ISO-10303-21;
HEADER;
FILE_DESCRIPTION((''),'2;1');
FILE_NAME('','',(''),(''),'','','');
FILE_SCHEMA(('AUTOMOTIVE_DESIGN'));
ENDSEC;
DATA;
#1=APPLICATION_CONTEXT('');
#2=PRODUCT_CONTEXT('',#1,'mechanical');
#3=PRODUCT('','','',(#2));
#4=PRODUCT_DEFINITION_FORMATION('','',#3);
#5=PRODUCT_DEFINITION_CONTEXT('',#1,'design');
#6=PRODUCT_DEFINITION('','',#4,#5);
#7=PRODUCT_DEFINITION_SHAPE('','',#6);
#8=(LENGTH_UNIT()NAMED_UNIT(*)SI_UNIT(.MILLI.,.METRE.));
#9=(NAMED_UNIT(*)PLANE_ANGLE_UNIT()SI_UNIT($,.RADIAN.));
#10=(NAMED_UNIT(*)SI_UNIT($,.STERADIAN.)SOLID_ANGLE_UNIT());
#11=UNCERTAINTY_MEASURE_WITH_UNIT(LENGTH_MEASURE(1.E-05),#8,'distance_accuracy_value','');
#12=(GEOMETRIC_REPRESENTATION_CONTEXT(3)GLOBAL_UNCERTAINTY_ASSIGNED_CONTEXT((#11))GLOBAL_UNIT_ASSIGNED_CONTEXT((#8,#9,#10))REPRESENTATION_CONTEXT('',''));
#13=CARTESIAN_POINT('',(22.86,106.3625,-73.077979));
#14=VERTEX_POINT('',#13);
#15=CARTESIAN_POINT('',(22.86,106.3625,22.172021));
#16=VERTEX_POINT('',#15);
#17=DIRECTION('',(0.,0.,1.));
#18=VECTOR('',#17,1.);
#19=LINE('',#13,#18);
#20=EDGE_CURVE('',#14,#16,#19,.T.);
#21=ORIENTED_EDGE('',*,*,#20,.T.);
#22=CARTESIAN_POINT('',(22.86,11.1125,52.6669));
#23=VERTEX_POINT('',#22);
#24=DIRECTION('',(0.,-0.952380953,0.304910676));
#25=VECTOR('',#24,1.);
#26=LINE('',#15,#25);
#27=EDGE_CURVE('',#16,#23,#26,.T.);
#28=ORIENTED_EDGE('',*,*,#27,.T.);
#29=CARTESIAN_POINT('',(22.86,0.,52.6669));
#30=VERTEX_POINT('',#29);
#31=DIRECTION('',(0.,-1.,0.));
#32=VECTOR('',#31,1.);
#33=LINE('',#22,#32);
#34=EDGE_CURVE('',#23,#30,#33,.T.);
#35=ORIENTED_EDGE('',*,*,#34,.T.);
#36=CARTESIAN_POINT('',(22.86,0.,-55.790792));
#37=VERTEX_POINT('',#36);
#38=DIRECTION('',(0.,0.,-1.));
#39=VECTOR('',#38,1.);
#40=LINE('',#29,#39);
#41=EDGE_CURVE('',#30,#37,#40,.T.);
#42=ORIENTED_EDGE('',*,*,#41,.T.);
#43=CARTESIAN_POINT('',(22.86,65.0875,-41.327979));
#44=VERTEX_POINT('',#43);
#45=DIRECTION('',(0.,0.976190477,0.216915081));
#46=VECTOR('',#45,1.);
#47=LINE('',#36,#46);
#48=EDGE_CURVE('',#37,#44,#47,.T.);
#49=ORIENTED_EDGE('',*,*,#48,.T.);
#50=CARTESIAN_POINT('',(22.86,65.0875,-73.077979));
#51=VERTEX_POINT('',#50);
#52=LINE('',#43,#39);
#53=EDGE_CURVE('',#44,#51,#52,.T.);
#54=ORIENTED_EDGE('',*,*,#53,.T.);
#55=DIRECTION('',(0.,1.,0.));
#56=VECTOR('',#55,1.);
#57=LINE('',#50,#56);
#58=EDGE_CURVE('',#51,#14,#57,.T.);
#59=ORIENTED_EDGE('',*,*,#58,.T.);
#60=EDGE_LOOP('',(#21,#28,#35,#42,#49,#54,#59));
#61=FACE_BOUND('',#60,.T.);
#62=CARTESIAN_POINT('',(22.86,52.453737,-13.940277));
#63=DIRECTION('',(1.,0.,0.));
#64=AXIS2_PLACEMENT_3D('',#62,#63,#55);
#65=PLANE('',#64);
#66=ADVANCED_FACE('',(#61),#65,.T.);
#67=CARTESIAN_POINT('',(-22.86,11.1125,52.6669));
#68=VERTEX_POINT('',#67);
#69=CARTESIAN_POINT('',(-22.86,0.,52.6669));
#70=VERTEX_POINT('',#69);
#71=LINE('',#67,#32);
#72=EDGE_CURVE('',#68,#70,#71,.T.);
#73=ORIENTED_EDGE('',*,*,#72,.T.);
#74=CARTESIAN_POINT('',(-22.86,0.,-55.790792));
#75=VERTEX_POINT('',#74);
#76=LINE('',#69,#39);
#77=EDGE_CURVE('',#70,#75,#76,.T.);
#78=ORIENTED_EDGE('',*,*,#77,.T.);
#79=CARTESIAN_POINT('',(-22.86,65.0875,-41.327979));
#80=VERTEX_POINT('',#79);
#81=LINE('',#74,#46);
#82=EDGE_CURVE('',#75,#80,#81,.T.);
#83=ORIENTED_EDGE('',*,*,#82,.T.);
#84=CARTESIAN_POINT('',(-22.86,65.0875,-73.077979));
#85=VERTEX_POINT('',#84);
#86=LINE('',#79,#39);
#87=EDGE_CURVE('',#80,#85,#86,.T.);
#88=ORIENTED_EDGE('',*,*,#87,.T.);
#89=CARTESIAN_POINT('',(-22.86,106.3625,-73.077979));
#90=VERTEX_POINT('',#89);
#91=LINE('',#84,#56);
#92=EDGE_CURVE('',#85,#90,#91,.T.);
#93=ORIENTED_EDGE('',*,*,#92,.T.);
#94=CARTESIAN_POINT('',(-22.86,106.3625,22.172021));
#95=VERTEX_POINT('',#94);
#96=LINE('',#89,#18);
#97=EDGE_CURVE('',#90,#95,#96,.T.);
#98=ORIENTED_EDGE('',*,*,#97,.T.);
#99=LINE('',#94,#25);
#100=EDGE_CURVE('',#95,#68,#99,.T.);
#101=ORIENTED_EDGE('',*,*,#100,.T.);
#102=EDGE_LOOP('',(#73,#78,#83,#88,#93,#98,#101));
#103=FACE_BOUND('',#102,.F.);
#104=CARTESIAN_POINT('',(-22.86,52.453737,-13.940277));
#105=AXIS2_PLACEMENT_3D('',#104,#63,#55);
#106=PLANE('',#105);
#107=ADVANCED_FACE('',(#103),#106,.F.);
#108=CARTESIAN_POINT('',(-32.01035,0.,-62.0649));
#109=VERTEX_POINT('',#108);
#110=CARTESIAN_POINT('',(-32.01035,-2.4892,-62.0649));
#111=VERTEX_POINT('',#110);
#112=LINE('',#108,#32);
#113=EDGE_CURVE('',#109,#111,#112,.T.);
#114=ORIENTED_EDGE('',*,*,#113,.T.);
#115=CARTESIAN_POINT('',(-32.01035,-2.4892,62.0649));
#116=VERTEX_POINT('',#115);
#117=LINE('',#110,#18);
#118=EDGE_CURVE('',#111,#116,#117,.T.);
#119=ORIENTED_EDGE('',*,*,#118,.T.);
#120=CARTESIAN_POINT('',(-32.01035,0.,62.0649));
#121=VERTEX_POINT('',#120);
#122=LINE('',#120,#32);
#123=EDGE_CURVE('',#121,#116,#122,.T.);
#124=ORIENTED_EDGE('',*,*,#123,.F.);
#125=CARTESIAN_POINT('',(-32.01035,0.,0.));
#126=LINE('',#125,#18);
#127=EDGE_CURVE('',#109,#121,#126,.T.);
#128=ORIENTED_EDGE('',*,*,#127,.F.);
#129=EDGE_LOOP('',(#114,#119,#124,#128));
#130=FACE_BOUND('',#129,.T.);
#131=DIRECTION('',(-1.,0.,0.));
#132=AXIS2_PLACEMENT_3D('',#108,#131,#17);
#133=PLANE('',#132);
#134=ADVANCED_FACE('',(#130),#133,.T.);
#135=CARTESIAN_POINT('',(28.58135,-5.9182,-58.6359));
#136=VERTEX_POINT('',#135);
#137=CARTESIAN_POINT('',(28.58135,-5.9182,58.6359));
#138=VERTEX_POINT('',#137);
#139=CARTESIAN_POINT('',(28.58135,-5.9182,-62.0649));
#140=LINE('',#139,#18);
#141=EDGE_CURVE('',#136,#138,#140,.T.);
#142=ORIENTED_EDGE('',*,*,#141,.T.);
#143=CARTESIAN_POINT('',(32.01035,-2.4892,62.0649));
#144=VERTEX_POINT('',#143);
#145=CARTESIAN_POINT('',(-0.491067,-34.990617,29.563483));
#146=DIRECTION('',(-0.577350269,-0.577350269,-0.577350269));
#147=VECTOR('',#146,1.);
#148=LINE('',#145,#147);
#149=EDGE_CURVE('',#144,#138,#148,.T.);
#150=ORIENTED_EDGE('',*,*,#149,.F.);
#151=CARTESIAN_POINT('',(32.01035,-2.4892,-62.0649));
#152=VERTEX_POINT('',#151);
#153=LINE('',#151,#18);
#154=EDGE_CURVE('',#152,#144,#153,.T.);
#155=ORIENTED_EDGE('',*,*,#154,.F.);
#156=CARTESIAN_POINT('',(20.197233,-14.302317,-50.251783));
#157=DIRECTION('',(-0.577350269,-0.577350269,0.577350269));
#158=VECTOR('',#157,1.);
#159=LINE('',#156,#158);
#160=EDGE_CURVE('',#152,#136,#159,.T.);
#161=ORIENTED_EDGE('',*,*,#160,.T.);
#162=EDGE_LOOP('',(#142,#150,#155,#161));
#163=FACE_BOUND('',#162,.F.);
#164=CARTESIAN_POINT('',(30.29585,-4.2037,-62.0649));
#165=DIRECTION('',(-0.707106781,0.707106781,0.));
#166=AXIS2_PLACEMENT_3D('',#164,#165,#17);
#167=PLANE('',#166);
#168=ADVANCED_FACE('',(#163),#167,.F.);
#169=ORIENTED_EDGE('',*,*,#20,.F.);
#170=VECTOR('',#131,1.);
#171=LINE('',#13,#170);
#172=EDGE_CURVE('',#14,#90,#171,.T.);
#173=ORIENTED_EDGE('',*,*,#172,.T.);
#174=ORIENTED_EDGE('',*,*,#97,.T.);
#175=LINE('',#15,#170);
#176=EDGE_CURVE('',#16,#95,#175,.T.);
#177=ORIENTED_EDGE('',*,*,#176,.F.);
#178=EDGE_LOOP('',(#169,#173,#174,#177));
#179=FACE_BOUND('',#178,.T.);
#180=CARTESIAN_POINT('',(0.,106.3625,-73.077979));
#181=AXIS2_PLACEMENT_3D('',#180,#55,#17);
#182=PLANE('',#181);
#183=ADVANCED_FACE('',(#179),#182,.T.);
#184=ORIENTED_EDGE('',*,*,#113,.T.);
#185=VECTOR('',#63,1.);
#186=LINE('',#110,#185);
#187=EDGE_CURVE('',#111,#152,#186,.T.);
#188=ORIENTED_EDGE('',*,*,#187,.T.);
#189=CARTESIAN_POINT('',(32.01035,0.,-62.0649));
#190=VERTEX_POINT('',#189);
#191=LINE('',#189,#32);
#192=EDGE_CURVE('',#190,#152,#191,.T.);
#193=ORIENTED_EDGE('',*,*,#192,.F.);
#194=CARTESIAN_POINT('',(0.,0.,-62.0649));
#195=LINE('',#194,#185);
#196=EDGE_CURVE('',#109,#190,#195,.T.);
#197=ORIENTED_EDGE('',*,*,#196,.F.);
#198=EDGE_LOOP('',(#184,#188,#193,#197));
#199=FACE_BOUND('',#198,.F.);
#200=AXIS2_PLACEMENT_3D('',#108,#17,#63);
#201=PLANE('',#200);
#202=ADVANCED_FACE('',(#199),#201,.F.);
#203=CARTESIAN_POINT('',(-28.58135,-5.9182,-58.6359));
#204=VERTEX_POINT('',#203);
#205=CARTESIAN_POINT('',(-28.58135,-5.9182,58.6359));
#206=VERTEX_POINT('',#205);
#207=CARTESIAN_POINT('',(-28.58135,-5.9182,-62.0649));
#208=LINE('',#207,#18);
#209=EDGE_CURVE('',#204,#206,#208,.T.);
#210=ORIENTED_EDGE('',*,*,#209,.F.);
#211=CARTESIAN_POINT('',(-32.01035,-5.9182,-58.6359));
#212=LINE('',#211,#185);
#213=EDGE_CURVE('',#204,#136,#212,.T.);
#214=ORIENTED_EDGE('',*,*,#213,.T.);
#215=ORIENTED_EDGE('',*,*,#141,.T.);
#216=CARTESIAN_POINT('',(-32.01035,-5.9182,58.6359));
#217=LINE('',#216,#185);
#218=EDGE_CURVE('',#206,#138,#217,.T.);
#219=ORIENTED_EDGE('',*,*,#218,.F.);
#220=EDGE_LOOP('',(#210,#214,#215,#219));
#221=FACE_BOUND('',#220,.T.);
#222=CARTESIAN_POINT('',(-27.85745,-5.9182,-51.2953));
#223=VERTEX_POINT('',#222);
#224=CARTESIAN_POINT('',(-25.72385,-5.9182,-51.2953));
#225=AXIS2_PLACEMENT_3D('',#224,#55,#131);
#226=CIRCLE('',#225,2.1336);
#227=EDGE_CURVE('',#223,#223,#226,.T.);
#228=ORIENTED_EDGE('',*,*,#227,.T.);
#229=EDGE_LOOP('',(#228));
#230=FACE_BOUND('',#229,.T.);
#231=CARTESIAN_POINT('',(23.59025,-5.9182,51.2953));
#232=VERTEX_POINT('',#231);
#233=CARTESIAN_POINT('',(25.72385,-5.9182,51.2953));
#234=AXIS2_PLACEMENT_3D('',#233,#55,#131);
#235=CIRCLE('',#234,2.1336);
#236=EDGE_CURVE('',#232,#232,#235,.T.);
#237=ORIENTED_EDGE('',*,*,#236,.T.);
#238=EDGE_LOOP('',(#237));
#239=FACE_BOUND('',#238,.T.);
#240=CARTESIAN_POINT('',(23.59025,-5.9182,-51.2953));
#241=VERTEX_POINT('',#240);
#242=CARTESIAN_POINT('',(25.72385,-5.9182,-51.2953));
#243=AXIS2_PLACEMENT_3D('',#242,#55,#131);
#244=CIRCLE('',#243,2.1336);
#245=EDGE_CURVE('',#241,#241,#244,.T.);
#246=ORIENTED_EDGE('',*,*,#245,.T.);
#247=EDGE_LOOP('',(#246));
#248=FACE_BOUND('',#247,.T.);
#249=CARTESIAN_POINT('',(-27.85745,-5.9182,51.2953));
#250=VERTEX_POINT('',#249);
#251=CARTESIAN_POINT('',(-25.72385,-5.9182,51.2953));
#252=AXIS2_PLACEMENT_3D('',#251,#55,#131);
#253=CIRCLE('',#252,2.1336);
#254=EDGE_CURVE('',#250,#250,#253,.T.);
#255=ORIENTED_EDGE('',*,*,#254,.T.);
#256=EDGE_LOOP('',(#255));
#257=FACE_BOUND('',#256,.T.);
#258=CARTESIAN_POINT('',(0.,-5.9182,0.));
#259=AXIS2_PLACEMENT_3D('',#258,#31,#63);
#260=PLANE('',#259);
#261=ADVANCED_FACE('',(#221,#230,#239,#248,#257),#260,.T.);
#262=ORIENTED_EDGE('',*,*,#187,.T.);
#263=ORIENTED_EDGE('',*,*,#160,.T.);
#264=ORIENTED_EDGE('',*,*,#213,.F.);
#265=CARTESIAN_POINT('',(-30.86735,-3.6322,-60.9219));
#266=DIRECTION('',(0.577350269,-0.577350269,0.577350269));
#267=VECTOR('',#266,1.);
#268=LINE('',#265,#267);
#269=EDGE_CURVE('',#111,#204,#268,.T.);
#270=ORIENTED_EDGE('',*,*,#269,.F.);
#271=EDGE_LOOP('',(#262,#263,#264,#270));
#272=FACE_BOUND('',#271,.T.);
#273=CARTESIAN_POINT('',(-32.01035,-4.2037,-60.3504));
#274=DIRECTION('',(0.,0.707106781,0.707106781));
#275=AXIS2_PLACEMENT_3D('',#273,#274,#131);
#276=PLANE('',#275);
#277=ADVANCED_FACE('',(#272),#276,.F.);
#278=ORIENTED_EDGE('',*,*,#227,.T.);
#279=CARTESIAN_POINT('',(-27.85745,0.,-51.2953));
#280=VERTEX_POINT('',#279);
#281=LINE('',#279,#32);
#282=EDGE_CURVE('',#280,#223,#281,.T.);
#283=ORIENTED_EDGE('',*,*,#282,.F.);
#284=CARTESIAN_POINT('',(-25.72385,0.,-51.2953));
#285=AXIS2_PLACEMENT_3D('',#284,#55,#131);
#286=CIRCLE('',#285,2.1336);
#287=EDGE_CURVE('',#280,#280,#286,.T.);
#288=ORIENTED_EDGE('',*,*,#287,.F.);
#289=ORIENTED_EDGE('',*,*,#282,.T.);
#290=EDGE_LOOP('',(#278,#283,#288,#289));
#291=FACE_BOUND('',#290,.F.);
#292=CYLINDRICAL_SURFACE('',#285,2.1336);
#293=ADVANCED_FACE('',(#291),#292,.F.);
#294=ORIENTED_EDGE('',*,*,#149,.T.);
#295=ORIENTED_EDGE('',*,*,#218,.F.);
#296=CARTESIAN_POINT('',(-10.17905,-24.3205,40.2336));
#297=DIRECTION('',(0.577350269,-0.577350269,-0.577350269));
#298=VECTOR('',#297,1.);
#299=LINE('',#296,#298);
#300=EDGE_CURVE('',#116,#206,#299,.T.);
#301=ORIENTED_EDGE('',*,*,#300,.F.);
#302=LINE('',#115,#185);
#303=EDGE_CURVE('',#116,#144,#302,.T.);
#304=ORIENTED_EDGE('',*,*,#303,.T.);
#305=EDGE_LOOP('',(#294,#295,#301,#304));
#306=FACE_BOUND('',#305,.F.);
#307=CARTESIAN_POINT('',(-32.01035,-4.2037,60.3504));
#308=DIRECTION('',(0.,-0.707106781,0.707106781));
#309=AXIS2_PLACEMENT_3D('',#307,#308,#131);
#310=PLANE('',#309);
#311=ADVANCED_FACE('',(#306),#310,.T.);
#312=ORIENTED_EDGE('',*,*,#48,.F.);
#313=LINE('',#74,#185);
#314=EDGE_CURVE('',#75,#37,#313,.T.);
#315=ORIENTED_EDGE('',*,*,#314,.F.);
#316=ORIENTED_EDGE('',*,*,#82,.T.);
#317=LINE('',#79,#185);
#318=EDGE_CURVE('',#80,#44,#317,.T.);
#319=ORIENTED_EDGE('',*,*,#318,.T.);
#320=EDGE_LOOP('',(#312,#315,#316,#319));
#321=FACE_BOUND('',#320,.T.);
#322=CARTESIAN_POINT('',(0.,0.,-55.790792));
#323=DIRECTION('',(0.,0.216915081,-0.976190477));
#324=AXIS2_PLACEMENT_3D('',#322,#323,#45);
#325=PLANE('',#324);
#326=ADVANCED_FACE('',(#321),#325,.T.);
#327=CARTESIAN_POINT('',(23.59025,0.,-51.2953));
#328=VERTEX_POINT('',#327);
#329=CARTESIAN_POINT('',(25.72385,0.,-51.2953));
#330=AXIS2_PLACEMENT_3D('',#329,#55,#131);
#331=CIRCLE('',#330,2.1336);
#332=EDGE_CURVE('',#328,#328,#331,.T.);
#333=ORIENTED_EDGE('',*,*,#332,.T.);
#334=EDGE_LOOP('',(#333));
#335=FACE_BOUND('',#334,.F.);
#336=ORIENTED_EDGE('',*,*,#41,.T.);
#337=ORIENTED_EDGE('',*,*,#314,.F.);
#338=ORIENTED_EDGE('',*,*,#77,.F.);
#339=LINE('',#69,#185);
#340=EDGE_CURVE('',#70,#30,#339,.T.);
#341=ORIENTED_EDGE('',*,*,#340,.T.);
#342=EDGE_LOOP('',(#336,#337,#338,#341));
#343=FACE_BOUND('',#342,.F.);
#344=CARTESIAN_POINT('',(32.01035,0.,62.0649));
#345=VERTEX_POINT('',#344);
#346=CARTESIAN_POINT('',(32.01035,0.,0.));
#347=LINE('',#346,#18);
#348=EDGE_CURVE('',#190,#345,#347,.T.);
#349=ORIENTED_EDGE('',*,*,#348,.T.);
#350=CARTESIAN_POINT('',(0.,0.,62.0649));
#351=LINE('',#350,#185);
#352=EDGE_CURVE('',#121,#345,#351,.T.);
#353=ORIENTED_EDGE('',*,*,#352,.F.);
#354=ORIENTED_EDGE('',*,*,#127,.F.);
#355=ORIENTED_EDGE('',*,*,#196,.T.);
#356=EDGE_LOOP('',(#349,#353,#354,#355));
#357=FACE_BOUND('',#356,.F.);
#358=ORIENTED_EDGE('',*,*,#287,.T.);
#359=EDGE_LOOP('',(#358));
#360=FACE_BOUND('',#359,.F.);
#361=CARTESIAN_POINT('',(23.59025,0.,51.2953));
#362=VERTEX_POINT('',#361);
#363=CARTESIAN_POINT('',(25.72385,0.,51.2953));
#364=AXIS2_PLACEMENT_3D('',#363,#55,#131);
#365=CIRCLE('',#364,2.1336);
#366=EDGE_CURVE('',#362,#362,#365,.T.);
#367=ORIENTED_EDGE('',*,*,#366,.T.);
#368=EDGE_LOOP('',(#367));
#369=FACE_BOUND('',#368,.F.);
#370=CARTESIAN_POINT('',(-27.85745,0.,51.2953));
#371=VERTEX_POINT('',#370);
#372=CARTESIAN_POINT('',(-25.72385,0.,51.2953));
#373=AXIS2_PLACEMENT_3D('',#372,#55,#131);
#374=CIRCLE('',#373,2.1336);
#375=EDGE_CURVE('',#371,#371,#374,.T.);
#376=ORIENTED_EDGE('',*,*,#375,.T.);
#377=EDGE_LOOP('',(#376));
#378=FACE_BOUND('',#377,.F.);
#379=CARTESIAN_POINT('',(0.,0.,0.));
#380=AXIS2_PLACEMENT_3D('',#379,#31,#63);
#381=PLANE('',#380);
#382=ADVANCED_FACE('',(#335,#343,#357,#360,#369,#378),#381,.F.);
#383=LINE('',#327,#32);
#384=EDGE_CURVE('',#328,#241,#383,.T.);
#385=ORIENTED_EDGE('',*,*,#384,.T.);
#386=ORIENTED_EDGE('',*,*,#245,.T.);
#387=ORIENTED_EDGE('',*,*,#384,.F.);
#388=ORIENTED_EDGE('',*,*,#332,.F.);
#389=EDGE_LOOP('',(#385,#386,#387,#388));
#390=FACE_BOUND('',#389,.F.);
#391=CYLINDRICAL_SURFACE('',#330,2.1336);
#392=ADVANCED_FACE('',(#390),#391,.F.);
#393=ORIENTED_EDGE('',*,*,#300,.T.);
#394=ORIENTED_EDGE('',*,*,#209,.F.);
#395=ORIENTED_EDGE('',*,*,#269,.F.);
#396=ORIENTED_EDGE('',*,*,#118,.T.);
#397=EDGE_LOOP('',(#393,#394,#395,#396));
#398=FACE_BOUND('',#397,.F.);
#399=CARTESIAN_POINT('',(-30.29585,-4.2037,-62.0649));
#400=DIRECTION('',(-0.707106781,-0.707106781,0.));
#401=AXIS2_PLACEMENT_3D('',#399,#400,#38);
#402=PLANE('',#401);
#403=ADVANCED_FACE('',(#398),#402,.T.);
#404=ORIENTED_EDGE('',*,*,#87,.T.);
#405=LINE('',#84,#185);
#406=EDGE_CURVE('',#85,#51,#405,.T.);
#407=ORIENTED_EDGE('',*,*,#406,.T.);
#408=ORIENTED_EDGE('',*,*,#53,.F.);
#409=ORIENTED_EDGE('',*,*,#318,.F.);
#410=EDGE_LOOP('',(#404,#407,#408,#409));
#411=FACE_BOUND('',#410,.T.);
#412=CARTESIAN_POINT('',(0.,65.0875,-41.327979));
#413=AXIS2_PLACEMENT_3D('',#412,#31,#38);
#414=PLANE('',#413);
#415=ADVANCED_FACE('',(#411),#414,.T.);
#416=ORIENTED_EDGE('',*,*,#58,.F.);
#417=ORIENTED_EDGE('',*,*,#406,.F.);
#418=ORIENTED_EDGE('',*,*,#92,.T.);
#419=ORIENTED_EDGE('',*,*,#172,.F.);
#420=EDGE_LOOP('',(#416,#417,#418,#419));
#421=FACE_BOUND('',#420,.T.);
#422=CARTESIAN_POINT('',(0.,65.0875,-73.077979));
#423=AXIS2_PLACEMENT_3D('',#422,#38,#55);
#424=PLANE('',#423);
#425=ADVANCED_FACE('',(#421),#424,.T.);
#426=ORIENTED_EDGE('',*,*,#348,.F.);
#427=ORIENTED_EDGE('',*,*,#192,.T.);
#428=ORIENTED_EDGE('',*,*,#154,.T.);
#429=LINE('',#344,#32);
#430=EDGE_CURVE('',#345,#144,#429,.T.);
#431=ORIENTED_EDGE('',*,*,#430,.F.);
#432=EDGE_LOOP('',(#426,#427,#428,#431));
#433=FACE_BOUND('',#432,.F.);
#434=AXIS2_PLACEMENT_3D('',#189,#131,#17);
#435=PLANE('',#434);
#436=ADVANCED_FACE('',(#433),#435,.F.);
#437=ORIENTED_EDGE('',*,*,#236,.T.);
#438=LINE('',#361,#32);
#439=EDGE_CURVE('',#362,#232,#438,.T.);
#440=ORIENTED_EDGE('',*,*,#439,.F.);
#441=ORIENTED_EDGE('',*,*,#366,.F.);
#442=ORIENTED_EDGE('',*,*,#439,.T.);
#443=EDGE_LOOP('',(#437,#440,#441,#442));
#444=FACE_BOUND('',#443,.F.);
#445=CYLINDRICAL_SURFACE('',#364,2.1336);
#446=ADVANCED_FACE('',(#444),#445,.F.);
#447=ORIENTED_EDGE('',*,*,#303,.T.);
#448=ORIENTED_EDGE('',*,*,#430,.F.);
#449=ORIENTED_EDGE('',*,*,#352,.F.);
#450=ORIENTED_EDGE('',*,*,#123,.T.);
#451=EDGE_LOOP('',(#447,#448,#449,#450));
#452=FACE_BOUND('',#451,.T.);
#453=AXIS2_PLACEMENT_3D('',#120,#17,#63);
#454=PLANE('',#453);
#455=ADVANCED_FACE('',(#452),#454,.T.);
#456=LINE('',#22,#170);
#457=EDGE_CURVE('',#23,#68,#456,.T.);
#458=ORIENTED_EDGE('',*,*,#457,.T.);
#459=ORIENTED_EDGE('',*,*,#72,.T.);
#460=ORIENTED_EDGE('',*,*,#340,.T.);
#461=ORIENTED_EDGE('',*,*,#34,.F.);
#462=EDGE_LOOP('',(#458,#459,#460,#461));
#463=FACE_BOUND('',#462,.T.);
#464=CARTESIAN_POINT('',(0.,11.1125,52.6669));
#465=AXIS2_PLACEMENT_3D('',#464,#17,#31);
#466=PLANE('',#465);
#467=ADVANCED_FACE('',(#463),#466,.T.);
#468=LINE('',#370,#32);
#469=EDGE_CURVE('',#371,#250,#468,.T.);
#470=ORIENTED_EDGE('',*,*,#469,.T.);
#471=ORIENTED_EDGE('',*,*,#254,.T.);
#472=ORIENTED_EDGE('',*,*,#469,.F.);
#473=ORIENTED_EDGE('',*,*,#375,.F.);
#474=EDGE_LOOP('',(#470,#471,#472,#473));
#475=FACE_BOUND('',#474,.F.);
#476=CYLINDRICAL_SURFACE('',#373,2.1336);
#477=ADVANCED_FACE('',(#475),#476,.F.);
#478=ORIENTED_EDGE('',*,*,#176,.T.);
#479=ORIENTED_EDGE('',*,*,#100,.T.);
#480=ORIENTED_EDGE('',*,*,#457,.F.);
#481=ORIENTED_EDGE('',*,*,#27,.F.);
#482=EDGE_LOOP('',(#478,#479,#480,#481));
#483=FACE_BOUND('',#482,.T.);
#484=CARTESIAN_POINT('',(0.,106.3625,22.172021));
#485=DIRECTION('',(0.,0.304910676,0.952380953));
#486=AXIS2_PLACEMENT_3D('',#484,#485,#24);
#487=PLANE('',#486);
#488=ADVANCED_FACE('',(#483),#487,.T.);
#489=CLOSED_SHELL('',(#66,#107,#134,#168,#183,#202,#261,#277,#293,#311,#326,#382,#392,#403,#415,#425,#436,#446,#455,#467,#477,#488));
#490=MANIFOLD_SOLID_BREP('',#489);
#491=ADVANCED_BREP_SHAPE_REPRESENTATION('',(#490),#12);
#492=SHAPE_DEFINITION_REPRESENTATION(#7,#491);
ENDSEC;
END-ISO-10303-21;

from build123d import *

# Parameters (mm, degrees)
F0_W     = 64.0207
F0_H     = 124.1298
F1_DEPTH = 5.9182
F2_R     = 2.1336
F3_DEPTH = 5.9192
F4_SIZE  = 3.429
F6_DEPTH = 22.86


with BuildPart() as f1:
    # F0 (on Front) → F1 (new body)
    with BuildSketch(Plane.XZ):
        Rectangle(F0_W, F0_H)
    extrude(amount=F1_DEPTH)

    # F2 (on face) → F3 (cut, through all)
    with BuildSketch(Plane(origin=(0, 0, 0), x_dir=(-1, 0, 0), z_dir=(0, 1, 0))):
        with Locations((-25.72385, 51.2953)):
            Circle(F2_R)
        with Locations((25.72385, 51.2953)):
            Circle(F2_R)
        with Locations((25.72385, -51.2953)):
            Circle(F2_R)
        with Locations((-25.72385, -51.2953)):
            Circle(F2_R)
    extrude(amount=-F3_DEPTH, mode=Mode.SUBTRACT)

    # F4
    f4_edges = [f1.edges().sort_by_distance(p)[0] for p in [
        (0, -5.9182, 62.0649),
        (-32.01035, -5.9182, 0),
        (0, -5.9182, -62.0649),
        (32.01035, -5.9182, 0),
    ]]
    chamfer(f4_edges, length=F4_SIZE)

    # F5 (on Right) → F6 (join, symmetric)
    with BuildSketch(Plane.YZ):
        Polygon((11.1125, 52.6669), (0, 52.6669), (0, -55.790792), (65.0875, -41.327979), (65.0875, -73.077979), (106.3625, -73.077979), (106.3625, 22.172021), align=None)
    extrude(amount=F6_DEPTH, both=True)


solid = f1.part
